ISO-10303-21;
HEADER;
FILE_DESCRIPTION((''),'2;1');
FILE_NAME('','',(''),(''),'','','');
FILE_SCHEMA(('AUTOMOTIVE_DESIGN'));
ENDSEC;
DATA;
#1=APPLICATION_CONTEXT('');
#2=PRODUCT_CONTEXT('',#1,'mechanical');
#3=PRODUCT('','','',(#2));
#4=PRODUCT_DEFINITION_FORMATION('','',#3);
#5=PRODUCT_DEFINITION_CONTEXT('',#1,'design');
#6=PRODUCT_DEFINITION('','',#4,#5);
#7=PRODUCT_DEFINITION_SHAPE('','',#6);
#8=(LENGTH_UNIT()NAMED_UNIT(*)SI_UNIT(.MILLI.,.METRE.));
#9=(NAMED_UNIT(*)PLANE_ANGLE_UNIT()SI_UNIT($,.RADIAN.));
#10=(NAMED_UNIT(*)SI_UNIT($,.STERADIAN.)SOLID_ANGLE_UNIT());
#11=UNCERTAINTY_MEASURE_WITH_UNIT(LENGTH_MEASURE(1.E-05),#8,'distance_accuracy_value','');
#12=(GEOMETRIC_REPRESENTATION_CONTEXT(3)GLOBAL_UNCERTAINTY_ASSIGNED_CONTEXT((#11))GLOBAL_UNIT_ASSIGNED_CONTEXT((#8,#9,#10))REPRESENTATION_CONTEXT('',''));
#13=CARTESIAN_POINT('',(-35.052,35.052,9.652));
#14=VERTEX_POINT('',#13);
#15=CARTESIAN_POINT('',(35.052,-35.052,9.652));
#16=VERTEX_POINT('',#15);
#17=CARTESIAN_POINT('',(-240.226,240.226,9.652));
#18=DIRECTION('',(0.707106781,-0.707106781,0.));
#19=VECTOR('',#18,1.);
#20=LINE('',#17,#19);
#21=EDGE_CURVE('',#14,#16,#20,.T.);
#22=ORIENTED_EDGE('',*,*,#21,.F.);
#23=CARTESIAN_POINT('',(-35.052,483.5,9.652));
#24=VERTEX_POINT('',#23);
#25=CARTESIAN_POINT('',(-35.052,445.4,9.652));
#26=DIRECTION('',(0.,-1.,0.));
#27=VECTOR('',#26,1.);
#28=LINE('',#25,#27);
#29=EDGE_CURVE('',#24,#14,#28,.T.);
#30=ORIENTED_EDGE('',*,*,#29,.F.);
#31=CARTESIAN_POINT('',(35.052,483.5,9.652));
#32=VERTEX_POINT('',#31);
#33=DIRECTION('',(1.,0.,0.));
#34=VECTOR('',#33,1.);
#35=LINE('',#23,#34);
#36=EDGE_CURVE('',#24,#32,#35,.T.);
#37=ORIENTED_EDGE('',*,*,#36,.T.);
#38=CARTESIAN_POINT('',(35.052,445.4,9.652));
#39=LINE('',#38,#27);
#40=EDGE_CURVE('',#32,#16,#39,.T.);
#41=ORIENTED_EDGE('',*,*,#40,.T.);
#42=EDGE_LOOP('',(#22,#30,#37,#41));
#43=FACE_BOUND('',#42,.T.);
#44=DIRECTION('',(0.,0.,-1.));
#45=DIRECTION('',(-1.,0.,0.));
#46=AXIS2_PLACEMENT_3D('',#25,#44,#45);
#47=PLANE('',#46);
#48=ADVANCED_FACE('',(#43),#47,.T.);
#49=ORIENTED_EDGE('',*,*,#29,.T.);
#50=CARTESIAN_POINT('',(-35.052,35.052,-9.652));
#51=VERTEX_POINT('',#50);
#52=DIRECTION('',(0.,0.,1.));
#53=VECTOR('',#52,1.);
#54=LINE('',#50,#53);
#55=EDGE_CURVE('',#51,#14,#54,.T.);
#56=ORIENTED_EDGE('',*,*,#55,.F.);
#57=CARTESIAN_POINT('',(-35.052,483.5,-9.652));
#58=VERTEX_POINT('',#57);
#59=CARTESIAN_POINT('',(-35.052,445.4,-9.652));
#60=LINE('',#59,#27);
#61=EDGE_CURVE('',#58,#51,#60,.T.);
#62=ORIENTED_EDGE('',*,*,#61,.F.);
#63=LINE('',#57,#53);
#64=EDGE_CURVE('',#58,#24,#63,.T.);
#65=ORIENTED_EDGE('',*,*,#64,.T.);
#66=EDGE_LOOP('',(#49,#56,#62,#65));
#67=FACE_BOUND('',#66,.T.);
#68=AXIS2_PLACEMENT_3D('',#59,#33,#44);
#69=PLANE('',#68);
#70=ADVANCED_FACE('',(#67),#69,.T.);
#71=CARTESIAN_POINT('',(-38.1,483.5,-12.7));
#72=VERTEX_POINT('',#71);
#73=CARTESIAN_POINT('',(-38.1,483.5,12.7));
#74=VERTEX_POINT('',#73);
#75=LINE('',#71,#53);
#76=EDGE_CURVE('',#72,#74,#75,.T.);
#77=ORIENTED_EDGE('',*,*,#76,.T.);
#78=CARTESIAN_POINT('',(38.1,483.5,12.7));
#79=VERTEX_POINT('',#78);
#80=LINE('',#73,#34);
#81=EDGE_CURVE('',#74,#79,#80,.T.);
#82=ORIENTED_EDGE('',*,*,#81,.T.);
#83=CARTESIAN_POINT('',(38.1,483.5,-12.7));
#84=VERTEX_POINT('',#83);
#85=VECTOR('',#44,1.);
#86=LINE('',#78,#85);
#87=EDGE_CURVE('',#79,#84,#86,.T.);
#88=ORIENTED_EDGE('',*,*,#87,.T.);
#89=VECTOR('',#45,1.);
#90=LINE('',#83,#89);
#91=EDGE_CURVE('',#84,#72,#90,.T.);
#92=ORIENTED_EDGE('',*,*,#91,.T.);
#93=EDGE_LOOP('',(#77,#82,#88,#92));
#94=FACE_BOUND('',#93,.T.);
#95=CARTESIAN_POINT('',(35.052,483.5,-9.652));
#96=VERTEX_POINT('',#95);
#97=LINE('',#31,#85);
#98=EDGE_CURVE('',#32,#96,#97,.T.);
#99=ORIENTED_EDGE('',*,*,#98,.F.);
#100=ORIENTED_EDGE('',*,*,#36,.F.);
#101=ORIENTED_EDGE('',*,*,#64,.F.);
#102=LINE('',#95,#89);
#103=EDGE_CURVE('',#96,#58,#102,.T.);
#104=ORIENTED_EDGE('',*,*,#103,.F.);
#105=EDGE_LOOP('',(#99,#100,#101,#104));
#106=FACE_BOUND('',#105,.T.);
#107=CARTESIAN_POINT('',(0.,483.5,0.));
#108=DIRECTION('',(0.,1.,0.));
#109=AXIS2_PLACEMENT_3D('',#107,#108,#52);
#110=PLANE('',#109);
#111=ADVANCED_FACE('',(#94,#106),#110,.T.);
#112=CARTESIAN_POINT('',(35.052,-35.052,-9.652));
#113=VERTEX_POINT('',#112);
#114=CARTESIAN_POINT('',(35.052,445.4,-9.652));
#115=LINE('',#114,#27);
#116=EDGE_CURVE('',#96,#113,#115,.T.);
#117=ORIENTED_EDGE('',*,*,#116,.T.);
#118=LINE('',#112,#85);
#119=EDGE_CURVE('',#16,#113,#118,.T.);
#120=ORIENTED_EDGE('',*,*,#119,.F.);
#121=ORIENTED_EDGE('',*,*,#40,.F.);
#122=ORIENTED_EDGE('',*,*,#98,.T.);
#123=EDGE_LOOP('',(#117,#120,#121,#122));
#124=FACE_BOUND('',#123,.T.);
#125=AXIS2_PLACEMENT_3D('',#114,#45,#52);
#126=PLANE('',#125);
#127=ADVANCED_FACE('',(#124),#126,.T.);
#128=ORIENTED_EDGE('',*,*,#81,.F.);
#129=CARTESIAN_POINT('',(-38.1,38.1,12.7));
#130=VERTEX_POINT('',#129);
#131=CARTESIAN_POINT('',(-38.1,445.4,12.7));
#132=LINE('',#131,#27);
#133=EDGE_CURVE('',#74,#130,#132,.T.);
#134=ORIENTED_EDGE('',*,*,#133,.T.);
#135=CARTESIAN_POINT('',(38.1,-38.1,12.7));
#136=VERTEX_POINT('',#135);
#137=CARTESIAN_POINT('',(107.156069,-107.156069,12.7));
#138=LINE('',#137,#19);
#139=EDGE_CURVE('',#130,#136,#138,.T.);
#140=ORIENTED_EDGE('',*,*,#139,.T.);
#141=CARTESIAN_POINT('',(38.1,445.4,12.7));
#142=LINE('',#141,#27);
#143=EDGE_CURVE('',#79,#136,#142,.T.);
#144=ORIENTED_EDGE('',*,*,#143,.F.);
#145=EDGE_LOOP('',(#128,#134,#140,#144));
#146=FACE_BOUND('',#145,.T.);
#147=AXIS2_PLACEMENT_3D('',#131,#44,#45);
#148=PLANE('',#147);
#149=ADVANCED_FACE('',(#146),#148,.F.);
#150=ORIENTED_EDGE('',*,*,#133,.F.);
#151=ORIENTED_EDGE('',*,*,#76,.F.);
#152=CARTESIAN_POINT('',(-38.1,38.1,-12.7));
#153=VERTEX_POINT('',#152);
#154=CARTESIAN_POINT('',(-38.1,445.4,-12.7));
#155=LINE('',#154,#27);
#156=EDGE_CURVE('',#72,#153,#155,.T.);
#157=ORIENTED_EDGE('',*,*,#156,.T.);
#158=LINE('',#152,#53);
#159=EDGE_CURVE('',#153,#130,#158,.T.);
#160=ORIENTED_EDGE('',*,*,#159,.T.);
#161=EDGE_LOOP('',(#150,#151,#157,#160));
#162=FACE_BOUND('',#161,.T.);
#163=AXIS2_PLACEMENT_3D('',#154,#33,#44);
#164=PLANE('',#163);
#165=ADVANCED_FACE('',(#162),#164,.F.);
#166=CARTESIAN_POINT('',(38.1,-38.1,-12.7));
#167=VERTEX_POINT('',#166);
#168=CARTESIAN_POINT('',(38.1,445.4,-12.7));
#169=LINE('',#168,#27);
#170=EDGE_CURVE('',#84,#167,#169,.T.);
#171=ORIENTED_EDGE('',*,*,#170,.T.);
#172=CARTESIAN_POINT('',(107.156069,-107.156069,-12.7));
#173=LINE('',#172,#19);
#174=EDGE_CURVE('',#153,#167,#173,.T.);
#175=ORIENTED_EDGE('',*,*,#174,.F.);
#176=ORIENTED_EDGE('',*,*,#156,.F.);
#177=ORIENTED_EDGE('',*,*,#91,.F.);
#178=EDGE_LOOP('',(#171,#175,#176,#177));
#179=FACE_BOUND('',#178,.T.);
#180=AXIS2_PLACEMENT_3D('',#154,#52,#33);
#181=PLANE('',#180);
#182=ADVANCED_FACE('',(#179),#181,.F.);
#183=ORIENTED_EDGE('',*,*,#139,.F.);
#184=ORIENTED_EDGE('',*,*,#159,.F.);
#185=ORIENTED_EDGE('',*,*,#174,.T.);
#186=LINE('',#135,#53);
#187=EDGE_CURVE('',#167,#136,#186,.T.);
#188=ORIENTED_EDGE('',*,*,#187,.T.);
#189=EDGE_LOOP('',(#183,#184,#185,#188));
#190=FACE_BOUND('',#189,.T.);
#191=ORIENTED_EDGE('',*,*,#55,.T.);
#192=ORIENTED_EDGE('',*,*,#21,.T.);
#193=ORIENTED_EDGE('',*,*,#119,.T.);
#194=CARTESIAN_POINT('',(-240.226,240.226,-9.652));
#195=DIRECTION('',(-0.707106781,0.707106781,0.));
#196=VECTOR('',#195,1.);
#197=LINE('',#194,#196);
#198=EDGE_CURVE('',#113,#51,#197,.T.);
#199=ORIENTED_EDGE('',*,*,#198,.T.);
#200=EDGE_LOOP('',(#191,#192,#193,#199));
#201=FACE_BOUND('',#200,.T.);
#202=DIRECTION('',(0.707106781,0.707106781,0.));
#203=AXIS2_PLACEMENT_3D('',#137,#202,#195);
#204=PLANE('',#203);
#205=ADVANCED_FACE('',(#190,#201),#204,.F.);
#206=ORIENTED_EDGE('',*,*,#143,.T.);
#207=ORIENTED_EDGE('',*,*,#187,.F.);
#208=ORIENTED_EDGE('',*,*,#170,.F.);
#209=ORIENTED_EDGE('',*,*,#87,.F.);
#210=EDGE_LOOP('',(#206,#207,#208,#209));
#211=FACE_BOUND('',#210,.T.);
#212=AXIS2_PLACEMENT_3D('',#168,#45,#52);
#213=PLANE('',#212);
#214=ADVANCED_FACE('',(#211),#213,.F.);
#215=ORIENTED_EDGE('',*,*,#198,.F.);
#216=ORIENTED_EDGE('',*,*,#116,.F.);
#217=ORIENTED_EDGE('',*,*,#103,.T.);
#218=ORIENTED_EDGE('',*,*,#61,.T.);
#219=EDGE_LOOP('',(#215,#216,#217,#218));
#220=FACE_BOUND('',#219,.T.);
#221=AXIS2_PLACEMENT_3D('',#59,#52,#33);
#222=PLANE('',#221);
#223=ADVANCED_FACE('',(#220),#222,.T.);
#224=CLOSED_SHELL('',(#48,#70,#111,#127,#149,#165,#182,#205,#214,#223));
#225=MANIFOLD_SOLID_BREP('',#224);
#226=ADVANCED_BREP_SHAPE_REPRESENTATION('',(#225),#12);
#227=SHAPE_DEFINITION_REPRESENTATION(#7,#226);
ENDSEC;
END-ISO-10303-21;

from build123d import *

# Parameters (mm, degrees)
SKETCH1_W               = 76.2
SKETCH1_H               = 25.4
SKETCH1_W_2             = 70.104
SKETCH1_H_2             = 19.304
BOSS_EXTRUDE1_DEPTH     = 445.4
SKETCH3_W               = 76.2
SKETCH3_H               = 25.4
SKETCH3_W_2             = 70.104
SKETCH3_H_2             = 19.304
BOSS_EXTRUDE2_DEPTH     = 38.1
SKETCH4_W               = 76.2
SKETCH4_H               = 25.4
SKETCH4_W_2             = 70.104
SKETCH4_H_2             = 19.304
BOSS_EXTRUDE3_DEPTH     = 38.1
CUT_EXTRUDE1_DEPTH      = 13.7
CUT_EXTRUDE1_DEPTH_BACK = 13.7


with BuildPart() as part:
    # Sketch1 → Boss-Extrude1 (new body)
    with BuildSketch(Plane(origin=(0, 0, 0), x_dir=(1, 0, 0), z_dir=(0, 1, 0))):
        Rectangle(SKETCH1_W, SKETCH1_H)
        Rectangle(SKETCH1_W_2, SKETCH1_H_2, mode=Mode.SUBTRACT)
    extrude(amount=BOSS_EXTRUDE1_DEPTH)

    # Sketch3 → Boss-Extrude2 (add)
    with BuildSketch(Plane.XZ):
        Rectangle(SKETCH3_W, SKETCH3_H)
        Rectangle(SKETCH3_W_2, SKETCH3_H_2, mode=Mode.SUBTRACT)
    extrude(amount=BOSS_EXTRUDE2_DEPTH)

    # Sketch4 → Boss-Extrude3 (add)
    with BuildSketch(Plane(origin=(0, 445.4, 0), x_dir=(1, 0, 0), z_dir=(0, 1, 0))):
        Rectangle(SKETCH4_W, SKETCH4_H)
        Rectangle(SKETCH4_W_2, SKETCH4_H_2, mode=Mode.SUBTRACT)
    extrude(amount=BOSS_EXTRUDE3_DEPTH)

    # Sketch5 → Cut-Extrude1 (cut, two sides)
    with BuildSketch(Plane(origin=(-500, 0, 0), x_dir=(1, 0, 0), z_dir=(0, 0, -1))) as cut_extrude1_sk:
        Polygon((607.156068895, 107.156068895), (437.011376746, -62.988623254), (437.011376746, 107.156068895), align=None)
    extrude(amount=CUT_EXTRUDE1_DEPTH, mode=Mode.SUBTRACT)
    extrude(cut_extrude1_sk.sketch, amount=-CUT_EXTRUDE1_DEPTH_BACK, mode=Mode.SUBTRACT)


solid = part.part
